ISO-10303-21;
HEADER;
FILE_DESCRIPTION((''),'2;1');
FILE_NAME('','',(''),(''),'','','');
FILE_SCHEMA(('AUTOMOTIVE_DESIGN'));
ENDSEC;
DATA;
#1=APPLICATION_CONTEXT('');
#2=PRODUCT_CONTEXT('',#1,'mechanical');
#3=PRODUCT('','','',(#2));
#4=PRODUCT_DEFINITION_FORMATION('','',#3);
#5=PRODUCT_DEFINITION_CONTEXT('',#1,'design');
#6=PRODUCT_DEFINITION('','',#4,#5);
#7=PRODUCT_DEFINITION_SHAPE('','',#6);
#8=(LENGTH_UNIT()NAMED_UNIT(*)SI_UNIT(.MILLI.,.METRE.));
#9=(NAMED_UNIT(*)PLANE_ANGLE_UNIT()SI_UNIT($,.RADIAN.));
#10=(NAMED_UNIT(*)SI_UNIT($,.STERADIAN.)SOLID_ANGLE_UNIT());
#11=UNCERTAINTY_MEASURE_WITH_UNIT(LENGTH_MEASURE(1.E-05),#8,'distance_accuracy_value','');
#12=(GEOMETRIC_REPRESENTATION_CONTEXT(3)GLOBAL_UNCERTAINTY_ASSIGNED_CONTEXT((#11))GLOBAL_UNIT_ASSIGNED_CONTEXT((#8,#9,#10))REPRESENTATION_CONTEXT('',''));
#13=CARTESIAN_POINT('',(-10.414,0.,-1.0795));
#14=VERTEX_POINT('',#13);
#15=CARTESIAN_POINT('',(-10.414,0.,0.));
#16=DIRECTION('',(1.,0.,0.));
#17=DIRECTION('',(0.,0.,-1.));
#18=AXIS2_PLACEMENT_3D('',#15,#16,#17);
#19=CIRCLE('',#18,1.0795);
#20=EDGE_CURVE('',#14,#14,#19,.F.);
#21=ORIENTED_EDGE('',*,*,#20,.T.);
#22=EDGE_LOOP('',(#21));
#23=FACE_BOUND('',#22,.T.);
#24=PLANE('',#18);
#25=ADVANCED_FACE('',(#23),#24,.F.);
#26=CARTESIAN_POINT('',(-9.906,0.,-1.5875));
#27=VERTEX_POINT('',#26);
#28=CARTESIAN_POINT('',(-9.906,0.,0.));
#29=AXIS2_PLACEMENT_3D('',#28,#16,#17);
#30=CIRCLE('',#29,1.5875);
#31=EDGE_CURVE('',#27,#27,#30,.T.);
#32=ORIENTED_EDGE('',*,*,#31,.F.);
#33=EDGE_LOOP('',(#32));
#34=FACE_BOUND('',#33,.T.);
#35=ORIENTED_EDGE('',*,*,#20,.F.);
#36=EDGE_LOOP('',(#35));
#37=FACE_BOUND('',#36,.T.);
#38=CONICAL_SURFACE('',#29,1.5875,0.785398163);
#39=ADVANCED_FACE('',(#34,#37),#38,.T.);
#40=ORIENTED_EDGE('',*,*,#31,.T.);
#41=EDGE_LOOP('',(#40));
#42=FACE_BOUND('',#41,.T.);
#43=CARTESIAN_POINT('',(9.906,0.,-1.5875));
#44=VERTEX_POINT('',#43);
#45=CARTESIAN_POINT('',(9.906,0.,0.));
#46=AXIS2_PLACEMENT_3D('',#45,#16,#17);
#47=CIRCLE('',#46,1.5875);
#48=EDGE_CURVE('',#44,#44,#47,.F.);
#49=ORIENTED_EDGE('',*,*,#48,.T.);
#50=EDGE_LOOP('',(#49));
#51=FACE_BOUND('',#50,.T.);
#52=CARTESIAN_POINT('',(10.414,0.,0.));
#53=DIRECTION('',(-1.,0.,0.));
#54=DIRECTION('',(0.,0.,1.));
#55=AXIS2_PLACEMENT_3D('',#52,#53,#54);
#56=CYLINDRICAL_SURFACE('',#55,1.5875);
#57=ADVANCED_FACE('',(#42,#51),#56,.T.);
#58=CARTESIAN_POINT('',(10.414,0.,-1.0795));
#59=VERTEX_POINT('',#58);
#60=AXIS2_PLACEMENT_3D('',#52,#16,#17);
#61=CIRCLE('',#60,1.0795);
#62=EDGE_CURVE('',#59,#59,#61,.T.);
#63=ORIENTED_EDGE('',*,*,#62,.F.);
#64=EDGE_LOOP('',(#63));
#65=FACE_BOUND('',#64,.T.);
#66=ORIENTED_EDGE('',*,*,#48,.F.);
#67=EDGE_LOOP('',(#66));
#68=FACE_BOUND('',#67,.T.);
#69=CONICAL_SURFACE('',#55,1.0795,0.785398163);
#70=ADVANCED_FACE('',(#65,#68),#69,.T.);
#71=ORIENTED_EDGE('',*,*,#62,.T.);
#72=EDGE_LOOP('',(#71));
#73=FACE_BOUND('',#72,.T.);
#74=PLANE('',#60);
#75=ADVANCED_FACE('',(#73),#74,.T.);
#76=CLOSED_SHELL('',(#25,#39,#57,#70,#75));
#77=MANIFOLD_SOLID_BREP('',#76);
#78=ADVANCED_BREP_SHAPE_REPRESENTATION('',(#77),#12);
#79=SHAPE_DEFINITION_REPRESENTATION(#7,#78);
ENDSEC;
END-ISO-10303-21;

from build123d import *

# Parameters (mm, degrees)
SKETCH1_R           = 1.5875
BOSS_EXTRUDE1_DEPTH = 10.414
CHAMFER1_SIZE       = 0.508


with BuildPart() as part:
    # Sketch1 → Boss-Extrude1 (new, symmetric)
    with BuildSketch(Plane(origin=(0, 0, 0), x_dir=(0, 0, -1), z_dir=(1, 0, 0))):
        Circle(SKETCH1_R)
    extrude(amount=BOSS_EXTRUDE1_DEPTH, both=True)

    # Chamfer1
    chamfer1_edges = [part.edges().sort_by_distance(p)[0] for p in [
        (-10.414, 0, 1.5875),
        (10.414, 0, 1.5875),
    ]]
    chamfer(chamfer1_edges, length=CHAMFER1_SIZE)


solid = part.part
